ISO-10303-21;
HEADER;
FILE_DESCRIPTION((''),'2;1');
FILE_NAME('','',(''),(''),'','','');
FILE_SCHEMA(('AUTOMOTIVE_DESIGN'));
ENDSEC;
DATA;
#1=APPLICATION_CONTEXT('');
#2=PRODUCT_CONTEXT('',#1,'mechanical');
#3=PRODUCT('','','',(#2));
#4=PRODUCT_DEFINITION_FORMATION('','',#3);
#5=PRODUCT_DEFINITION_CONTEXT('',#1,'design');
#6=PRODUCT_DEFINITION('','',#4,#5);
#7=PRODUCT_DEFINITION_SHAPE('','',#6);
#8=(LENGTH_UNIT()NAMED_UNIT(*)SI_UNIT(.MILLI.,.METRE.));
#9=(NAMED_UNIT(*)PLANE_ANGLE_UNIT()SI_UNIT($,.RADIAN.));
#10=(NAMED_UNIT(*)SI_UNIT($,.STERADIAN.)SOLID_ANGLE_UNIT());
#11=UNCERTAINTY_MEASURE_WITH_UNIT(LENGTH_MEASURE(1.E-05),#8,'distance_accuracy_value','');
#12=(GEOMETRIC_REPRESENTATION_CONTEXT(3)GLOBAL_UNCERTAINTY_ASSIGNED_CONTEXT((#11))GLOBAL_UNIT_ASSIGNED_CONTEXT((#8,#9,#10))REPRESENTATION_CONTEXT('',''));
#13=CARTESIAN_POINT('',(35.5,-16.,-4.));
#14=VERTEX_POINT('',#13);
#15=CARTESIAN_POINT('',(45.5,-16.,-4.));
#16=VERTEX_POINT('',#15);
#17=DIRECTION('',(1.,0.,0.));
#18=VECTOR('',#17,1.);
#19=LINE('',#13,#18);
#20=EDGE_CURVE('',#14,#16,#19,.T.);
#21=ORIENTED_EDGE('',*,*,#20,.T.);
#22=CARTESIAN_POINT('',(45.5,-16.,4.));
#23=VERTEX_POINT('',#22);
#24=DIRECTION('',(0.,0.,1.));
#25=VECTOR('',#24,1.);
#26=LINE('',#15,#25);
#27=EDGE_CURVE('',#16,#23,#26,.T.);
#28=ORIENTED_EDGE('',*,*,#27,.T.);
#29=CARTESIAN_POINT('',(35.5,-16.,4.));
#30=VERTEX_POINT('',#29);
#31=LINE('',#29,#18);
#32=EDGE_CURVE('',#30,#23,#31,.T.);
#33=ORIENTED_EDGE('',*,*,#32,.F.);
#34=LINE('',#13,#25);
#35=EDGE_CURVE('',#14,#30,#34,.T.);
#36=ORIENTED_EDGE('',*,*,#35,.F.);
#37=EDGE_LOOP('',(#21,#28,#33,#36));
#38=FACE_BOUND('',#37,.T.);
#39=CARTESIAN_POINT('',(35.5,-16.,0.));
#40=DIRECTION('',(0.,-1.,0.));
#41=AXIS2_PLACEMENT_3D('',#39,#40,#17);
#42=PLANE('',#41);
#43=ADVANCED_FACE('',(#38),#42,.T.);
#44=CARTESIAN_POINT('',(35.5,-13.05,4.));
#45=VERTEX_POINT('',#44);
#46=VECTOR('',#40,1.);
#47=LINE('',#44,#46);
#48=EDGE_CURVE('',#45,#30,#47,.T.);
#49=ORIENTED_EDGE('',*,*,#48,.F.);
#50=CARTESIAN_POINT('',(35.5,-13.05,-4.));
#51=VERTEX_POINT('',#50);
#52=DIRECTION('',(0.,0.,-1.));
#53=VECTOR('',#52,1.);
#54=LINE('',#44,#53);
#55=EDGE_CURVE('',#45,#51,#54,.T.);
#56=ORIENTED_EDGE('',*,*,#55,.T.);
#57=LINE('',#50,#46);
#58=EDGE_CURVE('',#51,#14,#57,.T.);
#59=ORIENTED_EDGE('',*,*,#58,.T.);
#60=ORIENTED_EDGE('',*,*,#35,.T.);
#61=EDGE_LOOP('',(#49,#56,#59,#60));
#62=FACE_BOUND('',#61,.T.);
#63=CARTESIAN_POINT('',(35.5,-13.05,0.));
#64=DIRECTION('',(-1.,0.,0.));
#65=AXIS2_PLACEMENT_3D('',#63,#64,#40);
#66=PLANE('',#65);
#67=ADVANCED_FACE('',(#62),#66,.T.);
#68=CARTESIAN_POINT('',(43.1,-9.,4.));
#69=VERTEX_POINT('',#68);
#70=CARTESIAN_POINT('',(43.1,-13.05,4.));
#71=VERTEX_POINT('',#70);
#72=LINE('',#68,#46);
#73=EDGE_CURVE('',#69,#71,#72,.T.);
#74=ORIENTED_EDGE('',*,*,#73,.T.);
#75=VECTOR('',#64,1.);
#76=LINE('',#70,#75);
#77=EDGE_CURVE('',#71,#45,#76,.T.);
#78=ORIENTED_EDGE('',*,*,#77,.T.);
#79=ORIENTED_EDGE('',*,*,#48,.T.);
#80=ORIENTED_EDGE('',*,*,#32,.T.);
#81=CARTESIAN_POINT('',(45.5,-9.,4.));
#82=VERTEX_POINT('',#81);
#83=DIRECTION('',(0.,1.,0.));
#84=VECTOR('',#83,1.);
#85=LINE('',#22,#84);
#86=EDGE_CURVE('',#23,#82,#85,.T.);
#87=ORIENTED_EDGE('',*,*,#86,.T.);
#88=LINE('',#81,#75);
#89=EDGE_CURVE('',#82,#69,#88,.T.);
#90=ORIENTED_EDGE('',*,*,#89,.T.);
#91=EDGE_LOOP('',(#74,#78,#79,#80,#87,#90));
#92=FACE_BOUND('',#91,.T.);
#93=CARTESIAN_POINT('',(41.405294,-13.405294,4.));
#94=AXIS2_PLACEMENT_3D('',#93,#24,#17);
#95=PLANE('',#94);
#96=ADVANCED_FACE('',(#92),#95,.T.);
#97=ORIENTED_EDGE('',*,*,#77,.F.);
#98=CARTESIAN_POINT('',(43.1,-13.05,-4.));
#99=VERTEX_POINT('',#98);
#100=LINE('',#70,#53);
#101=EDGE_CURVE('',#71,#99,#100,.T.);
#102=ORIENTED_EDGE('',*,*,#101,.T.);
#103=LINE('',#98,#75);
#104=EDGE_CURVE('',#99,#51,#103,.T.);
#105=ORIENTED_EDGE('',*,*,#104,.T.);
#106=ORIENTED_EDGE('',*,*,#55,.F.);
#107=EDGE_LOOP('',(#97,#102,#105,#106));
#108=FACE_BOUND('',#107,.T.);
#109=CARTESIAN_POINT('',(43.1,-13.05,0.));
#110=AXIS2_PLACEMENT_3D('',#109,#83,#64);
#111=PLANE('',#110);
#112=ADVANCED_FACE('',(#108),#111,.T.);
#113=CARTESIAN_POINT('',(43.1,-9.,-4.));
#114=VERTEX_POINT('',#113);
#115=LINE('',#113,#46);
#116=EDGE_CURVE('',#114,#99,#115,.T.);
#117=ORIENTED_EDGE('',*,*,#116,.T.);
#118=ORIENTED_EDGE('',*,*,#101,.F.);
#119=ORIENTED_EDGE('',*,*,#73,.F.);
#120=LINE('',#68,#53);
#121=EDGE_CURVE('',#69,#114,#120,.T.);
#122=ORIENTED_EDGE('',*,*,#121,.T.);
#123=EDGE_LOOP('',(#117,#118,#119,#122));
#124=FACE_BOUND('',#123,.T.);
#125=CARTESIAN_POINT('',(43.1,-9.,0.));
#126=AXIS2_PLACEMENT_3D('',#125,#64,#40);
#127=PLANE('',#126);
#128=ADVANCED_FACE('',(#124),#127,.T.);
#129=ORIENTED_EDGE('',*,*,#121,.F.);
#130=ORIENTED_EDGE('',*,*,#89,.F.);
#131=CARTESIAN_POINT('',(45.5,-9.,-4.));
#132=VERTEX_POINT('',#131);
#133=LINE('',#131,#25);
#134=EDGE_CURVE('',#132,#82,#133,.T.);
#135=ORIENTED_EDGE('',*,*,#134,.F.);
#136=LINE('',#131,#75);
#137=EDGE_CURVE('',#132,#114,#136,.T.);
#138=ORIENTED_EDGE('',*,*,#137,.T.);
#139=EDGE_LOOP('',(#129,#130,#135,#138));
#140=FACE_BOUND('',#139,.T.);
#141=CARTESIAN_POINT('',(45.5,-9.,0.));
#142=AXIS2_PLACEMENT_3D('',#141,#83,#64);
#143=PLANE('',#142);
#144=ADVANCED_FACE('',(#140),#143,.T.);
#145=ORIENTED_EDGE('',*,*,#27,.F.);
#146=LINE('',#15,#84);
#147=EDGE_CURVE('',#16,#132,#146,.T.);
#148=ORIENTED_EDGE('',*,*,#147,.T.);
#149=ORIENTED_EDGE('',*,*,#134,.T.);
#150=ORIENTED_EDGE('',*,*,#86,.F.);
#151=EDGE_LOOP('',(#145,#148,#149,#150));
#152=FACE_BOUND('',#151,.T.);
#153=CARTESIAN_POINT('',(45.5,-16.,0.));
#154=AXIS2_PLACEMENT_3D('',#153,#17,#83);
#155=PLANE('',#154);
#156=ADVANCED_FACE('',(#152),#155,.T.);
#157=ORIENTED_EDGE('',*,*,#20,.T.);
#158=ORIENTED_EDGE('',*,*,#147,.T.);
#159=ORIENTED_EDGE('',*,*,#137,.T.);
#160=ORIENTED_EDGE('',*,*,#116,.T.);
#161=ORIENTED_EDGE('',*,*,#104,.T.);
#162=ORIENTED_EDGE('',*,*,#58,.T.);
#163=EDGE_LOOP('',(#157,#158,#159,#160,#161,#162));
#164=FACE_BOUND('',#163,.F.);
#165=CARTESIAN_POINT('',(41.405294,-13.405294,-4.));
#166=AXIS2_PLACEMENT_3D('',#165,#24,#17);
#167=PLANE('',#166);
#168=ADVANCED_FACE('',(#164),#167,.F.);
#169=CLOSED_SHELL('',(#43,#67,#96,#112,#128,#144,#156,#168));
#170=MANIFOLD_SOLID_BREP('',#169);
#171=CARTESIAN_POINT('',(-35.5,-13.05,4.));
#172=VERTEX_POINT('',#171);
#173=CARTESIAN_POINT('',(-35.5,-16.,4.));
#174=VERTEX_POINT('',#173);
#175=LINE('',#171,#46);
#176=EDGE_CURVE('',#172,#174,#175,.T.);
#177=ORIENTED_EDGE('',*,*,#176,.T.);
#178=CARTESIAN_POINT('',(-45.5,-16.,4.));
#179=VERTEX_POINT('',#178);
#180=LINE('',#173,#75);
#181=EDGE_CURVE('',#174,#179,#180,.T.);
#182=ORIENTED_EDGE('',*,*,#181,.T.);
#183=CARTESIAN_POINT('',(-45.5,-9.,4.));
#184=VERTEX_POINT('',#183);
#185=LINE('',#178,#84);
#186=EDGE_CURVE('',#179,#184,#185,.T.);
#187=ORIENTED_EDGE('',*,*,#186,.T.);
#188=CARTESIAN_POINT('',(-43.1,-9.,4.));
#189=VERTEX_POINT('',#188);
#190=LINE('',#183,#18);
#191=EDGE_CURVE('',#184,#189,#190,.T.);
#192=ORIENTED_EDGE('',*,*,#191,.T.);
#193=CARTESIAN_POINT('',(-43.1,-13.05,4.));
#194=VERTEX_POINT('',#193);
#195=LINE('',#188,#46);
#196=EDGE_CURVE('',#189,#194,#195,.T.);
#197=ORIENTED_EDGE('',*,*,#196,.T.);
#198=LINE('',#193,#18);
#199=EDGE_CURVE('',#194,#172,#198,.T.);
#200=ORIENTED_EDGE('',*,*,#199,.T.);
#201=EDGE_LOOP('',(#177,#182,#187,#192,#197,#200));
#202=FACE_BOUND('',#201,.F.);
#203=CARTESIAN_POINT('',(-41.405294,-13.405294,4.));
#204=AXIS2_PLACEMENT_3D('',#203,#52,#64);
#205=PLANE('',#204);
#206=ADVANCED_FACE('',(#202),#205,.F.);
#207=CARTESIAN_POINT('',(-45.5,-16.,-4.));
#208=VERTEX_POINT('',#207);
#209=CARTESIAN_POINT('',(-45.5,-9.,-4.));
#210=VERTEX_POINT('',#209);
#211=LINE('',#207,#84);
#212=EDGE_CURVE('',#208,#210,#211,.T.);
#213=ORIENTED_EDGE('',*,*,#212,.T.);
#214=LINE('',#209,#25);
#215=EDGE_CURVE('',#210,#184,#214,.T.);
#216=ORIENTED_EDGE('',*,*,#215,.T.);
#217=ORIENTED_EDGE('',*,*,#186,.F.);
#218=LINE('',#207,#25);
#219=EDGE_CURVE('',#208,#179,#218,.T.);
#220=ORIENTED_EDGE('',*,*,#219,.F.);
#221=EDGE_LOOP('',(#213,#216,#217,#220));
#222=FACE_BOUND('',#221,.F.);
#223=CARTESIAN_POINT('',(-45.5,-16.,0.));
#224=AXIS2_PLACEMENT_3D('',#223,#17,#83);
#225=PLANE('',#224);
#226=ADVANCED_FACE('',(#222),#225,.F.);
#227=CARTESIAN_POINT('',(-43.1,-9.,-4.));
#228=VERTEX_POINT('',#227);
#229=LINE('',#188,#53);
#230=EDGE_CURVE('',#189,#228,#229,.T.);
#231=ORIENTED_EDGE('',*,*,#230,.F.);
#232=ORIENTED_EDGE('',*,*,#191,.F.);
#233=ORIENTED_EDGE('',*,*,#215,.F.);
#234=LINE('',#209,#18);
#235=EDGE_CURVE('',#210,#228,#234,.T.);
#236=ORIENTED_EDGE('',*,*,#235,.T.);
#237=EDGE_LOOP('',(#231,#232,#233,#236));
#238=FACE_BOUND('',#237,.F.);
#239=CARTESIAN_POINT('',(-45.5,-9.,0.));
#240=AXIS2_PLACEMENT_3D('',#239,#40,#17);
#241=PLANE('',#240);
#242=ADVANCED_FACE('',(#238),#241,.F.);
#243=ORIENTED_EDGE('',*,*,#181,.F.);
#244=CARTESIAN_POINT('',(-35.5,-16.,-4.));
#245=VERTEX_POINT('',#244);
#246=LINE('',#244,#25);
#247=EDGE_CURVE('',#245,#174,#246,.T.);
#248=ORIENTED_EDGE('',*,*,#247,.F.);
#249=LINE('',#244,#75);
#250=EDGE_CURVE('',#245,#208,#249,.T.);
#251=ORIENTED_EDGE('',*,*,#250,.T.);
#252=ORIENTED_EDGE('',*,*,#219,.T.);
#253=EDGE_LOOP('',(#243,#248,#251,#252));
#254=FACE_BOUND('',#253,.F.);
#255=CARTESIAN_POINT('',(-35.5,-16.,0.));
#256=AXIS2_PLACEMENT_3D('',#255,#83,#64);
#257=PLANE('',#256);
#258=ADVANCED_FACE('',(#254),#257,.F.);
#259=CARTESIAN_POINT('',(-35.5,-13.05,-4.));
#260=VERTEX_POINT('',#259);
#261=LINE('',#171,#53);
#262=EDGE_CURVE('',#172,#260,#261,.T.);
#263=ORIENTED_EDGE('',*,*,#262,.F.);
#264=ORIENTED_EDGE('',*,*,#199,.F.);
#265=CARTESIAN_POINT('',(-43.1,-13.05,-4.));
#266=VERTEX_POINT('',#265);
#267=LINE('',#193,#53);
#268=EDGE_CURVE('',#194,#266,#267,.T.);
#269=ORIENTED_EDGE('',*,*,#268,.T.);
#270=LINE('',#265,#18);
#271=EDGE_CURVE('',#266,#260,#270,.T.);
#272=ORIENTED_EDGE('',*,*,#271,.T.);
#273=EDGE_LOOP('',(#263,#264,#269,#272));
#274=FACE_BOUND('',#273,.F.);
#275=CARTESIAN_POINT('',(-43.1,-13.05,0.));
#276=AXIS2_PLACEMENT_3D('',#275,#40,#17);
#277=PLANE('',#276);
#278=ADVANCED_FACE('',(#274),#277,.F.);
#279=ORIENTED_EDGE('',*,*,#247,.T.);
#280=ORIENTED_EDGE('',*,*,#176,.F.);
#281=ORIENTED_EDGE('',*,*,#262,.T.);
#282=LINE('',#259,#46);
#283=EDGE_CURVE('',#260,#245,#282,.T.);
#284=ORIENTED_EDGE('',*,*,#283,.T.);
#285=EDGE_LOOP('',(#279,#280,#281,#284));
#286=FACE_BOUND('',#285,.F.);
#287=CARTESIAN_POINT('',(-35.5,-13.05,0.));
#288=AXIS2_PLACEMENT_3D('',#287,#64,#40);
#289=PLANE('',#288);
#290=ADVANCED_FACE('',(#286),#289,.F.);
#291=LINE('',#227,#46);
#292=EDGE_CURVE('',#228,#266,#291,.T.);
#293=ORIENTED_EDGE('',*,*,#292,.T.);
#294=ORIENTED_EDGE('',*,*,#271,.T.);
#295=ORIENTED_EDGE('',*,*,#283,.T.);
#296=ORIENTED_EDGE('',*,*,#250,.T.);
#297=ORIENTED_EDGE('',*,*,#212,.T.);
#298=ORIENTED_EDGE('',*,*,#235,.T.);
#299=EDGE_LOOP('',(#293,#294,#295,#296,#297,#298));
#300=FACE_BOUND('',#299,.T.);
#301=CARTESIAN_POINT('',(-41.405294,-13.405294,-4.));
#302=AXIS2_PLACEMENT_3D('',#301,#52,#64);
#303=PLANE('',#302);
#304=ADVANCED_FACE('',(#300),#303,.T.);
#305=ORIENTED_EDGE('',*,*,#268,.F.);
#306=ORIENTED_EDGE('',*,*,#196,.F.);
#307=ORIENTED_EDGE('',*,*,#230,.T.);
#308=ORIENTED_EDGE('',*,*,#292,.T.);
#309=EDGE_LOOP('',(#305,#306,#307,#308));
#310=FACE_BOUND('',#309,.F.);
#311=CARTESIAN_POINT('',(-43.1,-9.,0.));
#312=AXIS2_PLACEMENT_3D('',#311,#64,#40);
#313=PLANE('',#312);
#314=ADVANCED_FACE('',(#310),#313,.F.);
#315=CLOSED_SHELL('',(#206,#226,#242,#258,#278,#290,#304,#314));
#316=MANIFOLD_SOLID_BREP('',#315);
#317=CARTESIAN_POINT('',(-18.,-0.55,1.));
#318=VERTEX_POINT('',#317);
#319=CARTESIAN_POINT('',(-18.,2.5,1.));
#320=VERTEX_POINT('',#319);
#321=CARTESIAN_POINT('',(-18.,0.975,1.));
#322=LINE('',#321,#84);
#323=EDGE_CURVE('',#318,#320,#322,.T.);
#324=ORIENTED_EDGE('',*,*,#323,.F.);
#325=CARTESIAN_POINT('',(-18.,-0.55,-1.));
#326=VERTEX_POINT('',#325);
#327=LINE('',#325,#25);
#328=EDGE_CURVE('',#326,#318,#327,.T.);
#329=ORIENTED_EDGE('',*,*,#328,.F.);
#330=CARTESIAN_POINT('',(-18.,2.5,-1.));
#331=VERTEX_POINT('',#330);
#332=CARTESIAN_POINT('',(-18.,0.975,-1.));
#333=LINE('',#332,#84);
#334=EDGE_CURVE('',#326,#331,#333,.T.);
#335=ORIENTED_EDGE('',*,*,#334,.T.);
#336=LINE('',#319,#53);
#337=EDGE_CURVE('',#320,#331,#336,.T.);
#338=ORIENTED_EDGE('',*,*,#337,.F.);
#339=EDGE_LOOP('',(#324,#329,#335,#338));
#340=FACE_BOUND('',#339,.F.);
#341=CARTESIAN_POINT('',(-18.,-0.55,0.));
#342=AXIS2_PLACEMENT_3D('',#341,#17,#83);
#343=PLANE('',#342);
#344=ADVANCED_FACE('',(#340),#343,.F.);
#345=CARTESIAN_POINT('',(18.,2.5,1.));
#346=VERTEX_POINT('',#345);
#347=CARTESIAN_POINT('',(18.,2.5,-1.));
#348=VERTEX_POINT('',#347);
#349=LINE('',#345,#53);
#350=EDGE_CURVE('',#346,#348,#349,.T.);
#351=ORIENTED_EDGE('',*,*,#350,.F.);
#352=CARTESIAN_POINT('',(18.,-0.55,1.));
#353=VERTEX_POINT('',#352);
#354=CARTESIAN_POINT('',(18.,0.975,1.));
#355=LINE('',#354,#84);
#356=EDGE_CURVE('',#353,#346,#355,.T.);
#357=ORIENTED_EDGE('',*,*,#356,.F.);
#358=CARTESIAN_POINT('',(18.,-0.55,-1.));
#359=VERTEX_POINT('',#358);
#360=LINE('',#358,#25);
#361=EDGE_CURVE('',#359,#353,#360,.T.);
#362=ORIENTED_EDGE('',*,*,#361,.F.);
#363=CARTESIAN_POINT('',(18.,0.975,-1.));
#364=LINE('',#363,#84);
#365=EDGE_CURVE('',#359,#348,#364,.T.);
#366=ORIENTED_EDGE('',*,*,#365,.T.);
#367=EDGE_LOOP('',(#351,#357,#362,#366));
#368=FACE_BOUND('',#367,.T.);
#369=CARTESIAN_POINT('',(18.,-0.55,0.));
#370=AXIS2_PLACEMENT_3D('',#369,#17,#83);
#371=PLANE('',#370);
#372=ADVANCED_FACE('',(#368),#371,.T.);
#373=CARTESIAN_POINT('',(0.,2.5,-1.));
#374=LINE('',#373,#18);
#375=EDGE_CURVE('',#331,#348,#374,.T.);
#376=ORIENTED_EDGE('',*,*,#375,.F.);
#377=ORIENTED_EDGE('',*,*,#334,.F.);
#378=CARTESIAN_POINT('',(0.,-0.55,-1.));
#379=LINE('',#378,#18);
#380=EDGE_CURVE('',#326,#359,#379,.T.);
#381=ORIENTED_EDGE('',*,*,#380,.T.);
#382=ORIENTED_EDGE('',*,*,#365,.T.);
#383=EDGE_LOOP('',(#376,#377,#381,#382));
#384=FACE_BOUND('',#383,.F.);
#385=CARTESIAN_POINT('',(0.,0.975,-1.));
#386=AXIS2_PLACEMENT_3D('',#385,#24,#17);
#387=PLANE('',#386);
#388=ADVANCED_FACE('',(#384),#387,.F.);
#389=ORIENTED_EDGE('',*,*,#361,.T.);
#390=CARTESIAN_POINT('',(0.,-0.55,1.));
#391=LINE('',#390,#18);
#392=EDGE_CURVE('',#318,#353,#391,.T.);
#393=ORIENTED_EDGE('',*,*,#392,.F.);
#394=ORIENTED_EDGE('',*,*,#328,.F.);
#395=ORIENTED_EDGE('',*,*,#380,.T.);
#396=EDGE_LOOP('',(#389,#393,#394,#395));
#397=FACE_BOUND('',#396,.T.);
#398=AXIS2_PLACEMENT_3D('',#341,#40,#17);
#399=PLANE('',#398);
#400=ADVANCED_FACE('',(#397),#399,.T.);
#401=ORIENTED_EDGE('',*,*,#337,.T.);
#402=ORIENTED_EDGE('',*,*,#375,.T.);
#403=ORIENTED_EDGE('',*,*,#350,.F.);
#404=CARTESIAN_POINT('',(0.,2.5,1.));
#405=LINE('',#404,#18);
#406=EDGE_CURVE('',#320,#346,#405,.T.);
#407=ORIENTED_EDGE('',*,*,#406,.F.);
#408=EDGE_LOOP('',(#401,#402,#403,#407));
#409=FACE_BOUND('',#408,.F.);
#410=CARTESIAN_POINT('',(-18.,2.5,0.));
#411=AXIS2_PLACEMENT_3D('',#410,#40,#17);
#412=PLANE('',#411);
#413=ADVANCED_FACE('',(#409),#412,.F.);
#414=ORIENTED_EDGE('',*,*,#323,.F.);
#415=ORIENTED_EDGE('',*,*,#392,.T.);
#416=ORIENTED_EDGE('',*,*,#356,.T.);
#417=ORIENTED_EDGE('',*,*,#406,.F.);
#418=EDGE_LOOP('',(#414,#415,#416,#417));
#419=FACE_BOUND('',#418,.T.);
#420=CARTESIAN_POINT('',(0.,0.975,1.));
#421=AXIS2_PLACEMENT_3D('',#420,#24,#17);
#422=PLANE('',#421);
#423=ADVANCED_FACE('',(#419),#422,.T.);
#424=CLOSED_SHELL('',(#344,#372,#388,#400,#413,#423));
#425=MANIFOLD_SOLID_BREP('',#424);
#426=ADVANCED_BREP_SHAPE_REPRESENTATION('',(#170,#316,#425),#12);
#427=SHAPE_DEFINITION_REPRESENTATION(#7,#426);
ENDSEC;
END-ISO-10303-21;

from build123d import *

# Parameters (mm, degrees)
SKETCH_W     = 36
SKETCH_H     = 3.05
PAD_DEPTH    = 1
PAD001_DEPTH = 4
PAD002_DEPTH = 4


with BuildPart() as feature_positioning_lip_a:
    # Sketch → Pad (new body, symmetric)
    with BuildSketch(Plane.XY):
        with Locations((0, 0.975)):
            Rectangle(SKETCH_W, SKETCH_H)
    extrude(amount=PAD_DEPTH, both=True)


with BuildPart() as feature_positioning_lip_b:
    # Sketch001 → Pad001 (new body, symmetric)
    with BuildSketch(Plane.XY):
        Polygon((-45.5, -9), (-43.1, -9), (-43.1, -13.05), (-35.5, -13.05), (-35.5, -16), (-45.5, -16), align=None)
    extrude(amount=PAD001_DEPTH, both=True)


with BuildPart() as feature_positioning_lip_c:
    # Sketch002 → Pad002 (new body, symmetric)
    with BuildSketch(Plane.XY):
        Polygon((35.5, -13.05), (35.5, -16), (45.5, -16), (45.5, -9), (43.1, -9), (43.1, -13.05), align=None)
    extrude(amount=PAD002_DEPTH, both=True)


solid = Compound([feature_positioning_lip_a.part, feature_positioning_lip_b.part, feature_positioning_lip_c.part])
